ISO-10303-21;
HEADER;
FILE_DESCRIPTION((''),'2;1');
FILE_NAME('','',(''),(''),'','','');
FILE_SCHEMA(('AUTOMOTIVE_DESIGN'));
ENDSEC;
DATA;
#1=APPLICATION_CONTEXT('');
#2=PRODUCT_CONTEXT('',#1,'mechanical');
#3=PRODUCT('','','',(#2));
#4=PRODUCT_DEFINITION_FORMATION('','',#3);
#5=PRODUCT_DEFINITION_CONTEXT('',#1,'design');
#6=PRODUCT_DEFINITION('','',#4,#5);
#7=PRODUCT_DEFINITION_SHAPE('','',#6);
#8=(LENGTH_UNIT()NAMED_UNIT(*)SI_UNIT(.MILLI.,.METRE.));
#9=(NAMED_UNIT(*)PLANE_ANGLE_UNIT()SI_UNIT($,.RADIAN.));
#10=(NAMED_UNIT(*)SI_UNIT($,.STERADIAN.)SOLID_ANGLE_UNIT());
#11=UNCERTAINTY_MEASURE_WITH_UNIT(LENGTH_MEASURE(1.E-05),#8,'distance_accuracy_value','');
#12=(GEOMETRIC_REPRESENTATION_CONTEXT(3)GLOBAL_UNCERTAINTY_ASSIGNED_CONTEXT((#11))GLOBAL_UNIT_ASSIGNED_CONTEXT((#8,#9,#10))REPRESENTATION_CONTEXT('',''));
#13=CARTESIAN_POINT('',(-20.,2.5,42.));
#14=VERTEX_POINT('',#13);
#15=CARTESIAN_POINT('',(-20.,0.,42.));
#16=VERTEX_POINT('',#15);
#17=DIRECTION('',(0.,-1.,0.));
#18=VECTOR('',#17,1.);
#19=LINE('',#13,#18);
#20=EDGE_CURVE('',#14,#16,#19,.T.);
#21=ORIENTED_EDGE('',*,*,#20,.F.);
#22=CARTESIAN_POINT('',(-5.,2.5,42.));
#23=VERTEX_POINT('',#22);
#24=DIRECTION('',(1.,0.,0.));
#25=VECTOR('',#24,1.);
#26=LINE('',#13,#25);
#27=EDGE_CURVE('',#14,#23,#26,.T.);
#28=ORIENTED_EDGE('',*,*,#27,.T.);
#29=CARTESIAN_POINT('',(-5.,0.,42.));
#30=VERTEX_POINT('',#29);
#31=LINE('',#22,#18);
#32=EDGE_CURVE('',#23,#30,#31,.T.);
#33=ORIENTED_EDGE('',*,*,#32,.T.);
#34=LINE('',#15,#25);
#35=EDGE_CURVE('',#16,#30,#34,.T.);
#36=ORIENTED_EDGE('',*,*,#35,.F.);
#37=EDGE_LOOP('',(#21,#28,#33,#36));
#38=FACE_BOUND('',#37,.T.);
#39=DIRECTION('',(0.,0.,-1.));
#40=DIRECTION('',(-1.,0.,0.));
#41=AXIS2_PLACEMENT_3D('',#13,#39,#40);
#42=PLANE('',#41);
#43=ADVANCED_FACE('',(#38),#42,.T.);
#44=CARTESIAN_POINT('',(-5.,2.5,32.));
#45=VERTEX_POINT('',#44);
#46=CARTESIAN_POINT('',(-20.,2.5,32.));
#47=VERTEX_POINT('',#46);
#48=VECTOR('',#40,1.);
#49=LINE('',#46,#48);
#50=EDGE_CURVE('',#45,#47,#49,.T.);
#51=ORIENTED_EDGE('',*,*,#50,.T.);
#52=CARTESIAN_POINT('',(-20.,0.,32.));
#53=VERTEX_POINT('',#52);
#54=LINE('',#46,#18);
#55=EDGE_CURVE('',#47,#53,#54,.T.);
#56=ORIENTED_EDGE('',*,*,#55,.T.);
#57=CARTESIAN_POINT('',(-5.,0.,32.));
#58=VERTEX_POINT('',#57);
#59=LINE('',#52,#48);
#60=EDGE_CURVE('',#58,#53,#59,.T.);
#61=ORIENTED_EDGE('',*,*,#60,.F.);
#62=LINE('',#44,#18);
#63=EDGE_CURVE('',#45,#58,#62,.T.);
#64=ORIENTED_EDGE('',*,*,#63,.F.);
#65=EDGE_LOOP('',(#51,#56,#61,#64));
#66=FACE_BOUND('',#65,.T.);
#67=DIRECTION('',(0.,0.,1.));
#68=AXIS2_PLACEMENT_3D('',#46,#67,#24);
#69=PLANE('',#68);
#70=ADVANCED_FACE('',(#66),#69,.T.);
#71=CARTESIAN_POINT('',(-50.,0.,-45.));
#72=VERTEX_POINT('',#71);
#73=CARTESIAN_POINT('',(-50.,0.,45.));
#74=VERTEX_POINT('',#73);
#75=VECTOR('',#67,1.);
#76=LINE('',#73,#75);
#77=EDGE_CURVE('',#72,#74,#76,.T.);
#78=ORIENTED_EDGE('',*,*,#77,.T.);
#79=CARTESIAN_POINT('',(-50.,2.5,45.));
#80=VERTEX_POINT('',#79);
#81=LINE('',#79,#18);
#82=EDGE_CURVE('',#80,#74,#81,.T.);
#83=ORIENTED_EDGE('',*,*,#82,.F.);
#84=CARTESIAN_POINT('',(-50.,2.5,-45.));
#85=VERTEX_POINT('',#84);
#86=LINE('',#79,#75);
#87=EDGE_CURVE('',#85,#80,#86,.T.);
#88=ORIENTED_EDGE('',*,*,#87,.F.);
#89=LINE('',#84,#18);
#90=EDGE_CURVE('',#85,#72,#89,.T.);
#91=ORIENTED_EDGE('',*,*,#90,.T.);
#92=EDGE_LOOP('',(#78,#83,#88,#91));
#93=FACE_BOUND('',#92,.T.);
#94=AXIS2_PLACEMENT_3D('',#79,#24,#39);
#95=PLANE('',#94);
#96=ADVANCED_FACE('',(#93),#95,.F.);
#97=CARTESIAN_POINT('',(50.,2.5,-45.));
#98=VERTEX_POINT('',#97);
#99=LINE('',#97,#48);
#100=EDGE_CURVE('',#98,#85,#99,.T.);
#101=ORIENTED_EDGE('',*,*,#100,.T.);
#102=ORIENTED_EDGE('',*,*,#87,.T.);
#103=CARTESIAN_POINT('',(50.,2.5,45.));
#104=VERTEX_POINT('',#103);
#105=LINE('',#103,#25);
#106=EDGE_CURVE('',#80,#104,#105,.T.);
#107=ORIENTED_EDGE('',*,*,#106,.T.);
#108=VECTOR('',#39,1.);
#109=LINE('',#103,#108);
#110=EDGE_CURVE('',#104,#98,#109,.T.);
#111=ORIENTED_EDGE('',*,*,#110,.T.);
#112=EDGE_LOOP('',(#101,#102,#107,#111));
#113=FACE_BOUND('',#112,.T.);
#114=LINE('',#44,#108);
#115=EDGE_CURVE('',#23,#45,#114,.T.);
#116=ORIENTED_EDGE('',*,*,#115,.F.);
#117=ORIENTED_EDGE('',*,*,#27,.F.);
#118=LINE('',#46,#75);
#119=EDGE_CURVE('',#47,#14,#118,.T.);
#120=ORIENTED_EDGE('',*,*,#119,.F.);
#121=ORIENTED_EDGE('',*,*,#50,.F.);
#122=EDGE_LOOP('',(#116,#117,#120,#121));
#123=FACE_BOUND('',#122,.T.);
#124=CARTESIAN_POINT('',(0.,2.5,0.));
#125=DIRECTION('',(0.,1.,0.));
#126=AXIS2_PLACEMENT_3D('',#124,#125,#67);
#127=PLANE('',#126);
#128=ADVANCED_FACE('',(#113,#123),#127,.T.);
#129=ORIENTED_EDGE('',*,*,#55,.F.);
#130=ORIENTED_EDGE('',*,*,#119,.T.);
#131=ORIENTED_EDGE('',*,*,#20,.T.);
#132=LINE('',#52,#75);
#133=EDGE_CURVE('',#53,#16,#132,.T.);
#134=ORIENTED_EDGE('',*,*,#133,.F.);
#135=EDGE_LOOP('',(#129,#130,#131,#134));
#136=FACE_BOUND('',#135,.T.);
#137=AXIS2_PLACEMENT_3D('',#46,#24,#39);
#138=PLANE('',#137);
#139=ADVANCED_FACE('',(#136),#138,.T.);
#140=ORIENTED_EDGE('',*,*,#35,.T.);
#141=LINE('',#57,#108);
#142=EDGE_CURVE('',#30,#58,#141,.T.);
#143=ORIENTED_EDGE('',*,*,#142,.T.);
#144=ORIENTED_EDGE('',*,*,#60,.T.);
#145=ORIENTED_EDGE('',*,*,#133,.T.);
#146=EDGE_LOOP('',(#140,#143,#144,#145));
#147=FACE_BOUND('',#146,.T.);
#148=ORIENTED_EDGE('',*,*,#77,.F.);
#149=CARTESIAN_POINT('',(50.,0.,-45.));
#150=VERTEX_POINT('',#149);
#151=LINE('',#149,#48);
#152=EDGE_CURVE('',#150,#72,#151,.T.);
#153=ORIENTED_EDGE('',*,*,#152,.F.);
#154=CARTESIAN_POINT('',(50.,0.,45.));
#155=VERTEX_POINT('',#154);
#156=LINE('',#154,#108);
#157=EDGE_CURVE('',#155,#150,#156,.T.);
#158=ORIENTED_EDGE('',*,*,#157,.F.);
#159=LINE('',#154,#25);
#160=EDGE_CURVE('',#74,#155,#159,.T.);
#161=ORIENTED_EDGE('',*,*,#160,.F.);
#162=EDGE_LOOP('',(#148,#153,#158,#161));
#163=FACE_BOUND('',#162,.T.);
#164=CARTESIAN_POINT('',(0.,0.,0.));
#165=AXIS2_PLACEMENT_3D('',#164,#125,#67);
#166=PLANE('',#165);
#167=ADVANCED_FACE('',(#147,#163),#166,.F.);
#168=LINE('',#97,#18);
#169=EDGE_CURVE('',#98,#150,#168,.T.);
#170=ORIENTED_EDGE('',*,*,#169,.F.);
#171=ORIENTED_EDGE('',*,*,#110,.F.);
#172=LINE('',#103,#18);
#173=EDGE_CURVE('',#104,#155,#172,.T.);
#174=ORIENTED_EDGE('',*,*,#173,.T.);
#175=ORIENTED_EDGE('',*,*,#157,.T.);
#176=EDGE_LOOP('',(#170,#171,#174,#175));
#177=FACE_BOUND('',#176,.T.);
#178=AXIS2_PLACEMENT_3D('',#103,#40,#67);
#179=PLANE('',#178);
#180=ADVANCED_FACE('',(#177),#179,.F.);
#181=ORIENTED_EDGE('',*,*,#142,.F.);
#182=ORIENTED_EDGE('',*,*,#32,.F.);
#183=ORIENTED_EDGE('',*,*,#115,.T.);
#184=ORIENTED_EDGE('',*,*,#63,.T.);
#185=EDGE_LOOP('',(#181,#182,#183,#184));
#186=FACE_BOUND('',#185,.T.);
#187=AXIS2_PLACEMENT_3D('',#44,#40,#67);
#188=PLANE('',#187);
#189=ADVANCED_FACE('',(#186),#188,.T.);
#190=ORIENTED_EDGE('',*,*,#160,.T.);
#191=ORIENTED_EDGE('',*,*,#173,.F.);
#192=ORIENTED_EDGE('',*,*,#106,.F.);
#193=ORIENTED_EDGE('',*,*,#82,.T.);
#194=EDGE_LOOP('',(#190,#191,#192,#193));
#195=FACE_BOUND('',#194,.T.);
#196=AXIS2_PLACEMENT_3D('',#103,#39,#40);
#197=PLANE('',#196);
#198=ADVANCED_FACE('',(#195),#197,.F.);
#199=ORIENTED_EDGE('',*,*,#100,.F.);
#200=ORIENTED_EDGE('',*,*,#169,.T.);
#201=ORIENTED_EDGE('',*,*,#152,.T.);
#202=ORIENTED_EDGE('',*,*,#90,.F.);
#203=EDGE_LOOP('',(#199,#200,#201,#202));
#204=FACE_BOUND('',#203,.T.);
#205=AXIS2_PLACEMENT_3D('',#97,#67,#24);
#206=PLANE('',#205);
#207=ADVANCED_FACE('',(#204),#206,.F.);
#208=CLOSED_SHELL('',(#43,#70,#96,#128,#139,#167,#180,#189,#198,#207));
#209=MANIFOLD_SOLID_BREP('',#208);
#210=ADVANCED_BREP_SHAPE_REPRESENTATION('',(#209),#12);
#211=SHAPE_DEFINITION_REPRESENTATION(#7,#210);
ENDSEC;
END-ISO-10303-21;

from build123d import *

# Parameters (mm, degrees)
SKETCH1_W           = 100
SKETCH1_H           = 90
SKETCH1_W_2         = 15
SKETCH1_H_2         = 10
BOSS_EXTRUDE1_DEPTH = 2.5


with BuildPart() as part:
    # Sketch1 → Boss-Extrude1 (new body)
    with BuildSketch(Plane(origin=(0, 0, 0), x_dir=(1, 0, 0), z_dir=(0, 1, 0))):
        Rectangle(SKETCH1_W, SKETCH1_H)
        with Locations((-12.5, -37)):
            Rectangle(SKETCH1_W_2, SKETCH1_H_2, mode=Mode.SUBTRACT)
    extrude(amount=BOSS_EXTRUDE1_DEPTH)


solid = part.part
